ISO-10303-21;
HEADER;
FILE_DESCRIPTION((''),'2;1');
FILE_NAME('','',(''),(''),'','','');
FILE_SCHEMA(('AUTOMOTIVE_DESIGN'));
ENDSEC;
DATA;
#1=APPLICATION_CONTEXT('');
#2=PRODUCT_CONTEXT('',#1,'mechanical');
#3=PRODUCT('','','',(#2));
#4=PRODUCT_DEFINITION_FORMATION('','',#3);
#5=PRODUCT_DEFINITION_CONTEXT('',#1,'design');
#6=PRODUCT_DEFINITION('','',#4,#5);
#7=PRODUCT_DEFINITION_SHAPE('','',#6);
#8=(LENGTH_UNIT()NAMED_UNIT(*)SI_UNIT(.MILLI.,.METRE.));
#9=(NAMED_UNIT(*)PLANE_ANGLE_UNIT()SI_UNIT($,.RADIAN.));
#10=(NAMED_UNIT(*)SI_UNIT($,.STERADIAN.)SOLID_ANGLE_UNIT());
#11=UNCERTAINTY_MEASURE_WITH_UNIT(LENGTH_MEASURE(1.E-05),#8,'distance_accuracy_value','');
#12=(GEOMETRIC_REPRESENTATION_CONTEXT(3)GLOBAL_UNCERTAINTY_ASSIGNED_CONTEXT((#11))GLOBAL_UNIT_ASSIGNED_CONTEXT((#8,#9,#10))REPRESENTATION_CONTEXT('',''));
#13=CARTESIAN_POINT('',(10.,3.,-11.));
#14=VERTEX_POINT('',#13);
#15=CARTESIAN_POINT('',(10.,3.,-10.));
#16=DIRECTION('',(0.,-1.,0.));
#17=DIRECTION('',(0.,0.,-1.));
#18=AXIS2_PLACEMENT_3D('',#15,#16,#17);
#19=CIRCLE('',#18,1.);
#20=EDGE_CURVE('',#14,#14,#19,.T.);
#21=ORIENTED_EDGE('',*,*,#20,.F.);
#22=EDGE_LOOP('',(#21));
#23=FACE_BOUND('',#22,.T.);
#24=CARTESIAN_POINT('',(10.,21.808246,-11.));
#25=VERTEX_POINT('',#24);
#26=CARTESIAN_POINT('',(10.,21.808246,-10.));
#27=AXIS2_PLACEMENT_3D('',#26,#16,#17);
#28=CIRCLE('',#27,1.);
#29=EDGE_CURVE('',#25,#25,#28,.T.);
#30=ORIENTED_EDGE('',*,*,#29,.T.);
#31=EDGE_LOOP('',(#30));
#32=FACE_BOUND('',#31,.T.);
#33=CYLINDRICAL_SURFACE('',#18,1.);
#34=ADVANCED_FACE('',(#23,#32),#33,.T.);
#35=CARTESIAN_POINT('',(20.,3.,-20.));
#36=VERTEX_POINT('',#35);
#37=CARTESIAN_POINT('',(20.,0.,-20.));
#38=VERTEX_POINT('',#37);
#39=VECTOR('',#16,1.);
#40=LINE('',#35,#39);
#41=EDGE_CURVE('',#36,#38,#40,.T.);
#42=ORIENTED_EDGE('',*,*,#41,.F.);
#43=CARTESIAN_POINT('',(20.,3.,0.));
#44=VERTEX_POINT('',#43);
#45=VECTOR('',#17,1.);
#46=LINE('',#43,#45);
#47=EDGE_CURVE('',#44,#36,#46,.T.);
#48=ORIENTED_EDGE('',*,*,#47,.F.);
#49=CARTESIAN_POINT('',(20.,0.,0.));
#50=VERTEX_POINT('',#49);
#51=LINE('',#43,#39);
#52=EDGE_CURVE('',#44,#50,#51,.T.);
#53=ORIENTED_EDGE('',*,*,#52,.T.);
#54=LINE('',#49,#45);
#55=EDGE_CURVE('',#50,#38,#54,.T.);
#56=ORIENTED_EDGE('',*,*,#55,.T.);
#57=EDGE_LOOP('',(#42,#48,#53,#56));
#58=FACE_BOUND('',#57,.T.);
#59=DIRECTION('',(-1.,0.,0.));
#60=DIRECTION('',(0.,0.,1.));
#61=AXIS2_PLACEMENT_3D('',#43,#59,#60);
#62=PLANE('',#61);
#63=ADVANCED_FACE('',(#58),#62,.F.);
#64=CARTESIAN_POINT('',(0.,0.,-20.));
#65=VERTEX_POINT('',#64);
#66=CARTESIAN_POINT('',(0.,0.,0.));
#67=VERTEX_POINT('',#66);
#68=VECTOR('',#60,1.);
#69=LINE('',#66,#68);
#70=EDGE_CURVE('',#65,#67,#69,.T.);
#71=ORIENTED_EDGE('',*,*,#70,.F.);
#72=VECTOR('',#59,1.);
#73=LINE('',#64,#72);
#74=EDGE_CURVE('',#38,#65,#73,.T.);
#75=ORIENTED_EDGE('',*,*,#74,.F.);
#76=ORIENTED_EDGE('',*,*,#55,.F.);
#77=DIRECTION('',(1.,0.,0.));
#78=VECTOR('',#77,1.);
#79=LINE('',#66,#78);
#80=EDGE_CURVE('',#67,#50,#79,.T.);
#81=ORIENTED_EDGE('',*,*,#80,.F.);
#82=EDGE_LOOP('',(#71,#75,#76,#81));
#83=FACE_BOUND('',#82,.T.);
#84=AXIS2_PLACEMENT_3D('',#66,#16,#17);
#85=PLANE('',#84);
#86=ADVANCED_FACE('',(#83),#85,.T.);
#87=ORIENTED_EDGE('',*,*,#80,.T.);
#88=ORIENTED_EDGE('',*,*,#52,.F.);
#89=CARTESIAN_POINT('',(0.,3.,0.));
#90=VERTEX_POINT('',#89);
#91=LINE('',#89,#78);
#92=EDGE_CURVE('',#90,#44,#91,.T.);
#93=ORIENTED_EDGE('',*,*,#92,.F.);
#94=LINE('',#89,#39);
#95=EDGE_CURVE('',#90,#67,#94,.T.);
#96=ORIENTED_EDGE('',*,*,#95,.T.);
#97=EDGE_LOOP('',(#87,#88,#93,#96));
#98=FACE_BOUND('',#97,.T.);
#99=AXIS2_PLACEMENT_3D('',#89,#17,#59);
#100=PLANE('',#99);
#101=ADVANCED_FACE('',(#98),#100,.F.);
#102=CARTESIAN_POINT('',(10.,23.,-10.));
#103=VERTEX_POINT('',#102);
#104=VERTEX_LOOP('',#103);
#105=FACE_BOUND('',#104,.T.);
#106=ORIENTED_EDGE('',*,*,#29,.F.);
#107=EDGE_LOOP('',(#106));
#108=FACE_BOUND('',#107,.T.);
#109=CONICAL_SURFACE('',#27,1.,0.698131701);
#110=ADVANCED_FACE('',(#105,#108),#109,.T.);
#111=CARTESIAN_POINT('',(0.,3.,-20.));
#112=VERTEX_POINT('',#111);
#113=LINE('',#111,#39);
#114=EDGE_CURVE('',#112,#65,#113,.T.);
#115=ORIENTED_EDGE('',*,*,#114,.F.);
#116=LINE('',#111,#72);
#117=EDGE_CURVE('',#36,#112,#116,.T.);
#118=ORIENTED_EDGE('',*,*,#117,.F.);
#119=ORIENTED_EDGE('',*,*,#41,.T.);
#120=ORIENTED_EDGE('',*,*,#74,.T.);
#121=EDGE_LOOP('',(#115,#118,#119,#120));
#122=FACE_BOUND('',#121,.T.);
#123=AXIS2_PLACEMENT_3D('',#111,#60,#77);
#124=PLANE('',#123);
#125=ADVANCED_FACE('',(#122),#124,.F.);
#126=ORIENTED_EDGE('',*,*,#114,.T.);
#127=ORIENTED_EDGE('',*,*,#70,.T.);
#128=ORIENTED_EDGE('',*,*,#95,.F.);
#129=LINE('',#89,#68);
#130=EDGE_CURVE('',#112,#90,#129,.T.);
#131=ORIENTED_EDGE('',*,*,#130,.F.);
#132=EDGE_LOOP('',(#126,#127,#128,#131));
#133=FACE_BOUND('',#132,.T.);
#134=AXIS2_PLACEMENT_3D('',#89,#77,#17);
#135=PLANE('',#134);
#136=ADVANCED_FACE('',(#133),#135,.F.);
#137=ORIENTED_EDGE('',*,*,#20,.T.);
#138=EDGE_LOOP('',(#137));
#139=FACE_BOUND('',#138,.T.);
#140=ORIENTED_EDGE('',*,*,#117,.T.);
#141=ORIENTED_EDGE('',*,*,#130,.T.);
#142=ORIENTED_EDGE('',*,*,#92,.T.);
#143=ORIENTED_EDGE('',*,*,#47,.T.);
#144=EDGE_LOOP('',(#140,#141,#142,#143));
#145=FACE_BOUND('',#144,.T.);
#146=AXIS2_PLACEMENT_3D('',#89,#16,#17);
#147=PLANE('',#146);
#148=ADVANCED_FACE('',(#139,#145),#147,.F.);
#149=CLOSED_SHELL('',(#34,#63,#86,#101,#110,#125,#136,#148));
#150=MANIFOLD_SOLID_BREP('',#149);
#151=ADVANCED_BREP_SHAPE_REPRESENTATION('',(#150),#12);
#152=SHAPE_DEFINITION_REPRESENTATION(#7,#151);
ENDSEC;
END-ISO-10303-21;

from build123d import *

# Parameters (mm, degrees)
CROQUIS1_W              = 20
CROQUIS1_H              = 20
SALIENTE_EXTRUIR1_DEPTH = 3


with BuildPart() as part:
    # Croquis1 → Saliente-Extruir1 (new body)
    with BuildSketch(Plane(origin=(0, 0, 0), x_dir=(1, 0, 0), z_dir=(0, 1, 0))):
        with Locations((10, 10)):
            Rectangle(CROQUIS1_W, CROQUIS1_H)
    extrude(amount=SALIENTE_EXTRUIR1_DEPTH)

    # Croquis2 → Revolución1 (revolve)
    with BuildSketch(Plane(origin=(10, 0, 0), x_dir=(0, 0, -1), z_dir=(1, 0, 0))):
        Polygon((10, 3), (10, 23), (11, 21.808246407), (11, 3), align=None)
    revolve(axis=Axis((10, 3, -10), (0, 1, 0)))


solid = part.part
